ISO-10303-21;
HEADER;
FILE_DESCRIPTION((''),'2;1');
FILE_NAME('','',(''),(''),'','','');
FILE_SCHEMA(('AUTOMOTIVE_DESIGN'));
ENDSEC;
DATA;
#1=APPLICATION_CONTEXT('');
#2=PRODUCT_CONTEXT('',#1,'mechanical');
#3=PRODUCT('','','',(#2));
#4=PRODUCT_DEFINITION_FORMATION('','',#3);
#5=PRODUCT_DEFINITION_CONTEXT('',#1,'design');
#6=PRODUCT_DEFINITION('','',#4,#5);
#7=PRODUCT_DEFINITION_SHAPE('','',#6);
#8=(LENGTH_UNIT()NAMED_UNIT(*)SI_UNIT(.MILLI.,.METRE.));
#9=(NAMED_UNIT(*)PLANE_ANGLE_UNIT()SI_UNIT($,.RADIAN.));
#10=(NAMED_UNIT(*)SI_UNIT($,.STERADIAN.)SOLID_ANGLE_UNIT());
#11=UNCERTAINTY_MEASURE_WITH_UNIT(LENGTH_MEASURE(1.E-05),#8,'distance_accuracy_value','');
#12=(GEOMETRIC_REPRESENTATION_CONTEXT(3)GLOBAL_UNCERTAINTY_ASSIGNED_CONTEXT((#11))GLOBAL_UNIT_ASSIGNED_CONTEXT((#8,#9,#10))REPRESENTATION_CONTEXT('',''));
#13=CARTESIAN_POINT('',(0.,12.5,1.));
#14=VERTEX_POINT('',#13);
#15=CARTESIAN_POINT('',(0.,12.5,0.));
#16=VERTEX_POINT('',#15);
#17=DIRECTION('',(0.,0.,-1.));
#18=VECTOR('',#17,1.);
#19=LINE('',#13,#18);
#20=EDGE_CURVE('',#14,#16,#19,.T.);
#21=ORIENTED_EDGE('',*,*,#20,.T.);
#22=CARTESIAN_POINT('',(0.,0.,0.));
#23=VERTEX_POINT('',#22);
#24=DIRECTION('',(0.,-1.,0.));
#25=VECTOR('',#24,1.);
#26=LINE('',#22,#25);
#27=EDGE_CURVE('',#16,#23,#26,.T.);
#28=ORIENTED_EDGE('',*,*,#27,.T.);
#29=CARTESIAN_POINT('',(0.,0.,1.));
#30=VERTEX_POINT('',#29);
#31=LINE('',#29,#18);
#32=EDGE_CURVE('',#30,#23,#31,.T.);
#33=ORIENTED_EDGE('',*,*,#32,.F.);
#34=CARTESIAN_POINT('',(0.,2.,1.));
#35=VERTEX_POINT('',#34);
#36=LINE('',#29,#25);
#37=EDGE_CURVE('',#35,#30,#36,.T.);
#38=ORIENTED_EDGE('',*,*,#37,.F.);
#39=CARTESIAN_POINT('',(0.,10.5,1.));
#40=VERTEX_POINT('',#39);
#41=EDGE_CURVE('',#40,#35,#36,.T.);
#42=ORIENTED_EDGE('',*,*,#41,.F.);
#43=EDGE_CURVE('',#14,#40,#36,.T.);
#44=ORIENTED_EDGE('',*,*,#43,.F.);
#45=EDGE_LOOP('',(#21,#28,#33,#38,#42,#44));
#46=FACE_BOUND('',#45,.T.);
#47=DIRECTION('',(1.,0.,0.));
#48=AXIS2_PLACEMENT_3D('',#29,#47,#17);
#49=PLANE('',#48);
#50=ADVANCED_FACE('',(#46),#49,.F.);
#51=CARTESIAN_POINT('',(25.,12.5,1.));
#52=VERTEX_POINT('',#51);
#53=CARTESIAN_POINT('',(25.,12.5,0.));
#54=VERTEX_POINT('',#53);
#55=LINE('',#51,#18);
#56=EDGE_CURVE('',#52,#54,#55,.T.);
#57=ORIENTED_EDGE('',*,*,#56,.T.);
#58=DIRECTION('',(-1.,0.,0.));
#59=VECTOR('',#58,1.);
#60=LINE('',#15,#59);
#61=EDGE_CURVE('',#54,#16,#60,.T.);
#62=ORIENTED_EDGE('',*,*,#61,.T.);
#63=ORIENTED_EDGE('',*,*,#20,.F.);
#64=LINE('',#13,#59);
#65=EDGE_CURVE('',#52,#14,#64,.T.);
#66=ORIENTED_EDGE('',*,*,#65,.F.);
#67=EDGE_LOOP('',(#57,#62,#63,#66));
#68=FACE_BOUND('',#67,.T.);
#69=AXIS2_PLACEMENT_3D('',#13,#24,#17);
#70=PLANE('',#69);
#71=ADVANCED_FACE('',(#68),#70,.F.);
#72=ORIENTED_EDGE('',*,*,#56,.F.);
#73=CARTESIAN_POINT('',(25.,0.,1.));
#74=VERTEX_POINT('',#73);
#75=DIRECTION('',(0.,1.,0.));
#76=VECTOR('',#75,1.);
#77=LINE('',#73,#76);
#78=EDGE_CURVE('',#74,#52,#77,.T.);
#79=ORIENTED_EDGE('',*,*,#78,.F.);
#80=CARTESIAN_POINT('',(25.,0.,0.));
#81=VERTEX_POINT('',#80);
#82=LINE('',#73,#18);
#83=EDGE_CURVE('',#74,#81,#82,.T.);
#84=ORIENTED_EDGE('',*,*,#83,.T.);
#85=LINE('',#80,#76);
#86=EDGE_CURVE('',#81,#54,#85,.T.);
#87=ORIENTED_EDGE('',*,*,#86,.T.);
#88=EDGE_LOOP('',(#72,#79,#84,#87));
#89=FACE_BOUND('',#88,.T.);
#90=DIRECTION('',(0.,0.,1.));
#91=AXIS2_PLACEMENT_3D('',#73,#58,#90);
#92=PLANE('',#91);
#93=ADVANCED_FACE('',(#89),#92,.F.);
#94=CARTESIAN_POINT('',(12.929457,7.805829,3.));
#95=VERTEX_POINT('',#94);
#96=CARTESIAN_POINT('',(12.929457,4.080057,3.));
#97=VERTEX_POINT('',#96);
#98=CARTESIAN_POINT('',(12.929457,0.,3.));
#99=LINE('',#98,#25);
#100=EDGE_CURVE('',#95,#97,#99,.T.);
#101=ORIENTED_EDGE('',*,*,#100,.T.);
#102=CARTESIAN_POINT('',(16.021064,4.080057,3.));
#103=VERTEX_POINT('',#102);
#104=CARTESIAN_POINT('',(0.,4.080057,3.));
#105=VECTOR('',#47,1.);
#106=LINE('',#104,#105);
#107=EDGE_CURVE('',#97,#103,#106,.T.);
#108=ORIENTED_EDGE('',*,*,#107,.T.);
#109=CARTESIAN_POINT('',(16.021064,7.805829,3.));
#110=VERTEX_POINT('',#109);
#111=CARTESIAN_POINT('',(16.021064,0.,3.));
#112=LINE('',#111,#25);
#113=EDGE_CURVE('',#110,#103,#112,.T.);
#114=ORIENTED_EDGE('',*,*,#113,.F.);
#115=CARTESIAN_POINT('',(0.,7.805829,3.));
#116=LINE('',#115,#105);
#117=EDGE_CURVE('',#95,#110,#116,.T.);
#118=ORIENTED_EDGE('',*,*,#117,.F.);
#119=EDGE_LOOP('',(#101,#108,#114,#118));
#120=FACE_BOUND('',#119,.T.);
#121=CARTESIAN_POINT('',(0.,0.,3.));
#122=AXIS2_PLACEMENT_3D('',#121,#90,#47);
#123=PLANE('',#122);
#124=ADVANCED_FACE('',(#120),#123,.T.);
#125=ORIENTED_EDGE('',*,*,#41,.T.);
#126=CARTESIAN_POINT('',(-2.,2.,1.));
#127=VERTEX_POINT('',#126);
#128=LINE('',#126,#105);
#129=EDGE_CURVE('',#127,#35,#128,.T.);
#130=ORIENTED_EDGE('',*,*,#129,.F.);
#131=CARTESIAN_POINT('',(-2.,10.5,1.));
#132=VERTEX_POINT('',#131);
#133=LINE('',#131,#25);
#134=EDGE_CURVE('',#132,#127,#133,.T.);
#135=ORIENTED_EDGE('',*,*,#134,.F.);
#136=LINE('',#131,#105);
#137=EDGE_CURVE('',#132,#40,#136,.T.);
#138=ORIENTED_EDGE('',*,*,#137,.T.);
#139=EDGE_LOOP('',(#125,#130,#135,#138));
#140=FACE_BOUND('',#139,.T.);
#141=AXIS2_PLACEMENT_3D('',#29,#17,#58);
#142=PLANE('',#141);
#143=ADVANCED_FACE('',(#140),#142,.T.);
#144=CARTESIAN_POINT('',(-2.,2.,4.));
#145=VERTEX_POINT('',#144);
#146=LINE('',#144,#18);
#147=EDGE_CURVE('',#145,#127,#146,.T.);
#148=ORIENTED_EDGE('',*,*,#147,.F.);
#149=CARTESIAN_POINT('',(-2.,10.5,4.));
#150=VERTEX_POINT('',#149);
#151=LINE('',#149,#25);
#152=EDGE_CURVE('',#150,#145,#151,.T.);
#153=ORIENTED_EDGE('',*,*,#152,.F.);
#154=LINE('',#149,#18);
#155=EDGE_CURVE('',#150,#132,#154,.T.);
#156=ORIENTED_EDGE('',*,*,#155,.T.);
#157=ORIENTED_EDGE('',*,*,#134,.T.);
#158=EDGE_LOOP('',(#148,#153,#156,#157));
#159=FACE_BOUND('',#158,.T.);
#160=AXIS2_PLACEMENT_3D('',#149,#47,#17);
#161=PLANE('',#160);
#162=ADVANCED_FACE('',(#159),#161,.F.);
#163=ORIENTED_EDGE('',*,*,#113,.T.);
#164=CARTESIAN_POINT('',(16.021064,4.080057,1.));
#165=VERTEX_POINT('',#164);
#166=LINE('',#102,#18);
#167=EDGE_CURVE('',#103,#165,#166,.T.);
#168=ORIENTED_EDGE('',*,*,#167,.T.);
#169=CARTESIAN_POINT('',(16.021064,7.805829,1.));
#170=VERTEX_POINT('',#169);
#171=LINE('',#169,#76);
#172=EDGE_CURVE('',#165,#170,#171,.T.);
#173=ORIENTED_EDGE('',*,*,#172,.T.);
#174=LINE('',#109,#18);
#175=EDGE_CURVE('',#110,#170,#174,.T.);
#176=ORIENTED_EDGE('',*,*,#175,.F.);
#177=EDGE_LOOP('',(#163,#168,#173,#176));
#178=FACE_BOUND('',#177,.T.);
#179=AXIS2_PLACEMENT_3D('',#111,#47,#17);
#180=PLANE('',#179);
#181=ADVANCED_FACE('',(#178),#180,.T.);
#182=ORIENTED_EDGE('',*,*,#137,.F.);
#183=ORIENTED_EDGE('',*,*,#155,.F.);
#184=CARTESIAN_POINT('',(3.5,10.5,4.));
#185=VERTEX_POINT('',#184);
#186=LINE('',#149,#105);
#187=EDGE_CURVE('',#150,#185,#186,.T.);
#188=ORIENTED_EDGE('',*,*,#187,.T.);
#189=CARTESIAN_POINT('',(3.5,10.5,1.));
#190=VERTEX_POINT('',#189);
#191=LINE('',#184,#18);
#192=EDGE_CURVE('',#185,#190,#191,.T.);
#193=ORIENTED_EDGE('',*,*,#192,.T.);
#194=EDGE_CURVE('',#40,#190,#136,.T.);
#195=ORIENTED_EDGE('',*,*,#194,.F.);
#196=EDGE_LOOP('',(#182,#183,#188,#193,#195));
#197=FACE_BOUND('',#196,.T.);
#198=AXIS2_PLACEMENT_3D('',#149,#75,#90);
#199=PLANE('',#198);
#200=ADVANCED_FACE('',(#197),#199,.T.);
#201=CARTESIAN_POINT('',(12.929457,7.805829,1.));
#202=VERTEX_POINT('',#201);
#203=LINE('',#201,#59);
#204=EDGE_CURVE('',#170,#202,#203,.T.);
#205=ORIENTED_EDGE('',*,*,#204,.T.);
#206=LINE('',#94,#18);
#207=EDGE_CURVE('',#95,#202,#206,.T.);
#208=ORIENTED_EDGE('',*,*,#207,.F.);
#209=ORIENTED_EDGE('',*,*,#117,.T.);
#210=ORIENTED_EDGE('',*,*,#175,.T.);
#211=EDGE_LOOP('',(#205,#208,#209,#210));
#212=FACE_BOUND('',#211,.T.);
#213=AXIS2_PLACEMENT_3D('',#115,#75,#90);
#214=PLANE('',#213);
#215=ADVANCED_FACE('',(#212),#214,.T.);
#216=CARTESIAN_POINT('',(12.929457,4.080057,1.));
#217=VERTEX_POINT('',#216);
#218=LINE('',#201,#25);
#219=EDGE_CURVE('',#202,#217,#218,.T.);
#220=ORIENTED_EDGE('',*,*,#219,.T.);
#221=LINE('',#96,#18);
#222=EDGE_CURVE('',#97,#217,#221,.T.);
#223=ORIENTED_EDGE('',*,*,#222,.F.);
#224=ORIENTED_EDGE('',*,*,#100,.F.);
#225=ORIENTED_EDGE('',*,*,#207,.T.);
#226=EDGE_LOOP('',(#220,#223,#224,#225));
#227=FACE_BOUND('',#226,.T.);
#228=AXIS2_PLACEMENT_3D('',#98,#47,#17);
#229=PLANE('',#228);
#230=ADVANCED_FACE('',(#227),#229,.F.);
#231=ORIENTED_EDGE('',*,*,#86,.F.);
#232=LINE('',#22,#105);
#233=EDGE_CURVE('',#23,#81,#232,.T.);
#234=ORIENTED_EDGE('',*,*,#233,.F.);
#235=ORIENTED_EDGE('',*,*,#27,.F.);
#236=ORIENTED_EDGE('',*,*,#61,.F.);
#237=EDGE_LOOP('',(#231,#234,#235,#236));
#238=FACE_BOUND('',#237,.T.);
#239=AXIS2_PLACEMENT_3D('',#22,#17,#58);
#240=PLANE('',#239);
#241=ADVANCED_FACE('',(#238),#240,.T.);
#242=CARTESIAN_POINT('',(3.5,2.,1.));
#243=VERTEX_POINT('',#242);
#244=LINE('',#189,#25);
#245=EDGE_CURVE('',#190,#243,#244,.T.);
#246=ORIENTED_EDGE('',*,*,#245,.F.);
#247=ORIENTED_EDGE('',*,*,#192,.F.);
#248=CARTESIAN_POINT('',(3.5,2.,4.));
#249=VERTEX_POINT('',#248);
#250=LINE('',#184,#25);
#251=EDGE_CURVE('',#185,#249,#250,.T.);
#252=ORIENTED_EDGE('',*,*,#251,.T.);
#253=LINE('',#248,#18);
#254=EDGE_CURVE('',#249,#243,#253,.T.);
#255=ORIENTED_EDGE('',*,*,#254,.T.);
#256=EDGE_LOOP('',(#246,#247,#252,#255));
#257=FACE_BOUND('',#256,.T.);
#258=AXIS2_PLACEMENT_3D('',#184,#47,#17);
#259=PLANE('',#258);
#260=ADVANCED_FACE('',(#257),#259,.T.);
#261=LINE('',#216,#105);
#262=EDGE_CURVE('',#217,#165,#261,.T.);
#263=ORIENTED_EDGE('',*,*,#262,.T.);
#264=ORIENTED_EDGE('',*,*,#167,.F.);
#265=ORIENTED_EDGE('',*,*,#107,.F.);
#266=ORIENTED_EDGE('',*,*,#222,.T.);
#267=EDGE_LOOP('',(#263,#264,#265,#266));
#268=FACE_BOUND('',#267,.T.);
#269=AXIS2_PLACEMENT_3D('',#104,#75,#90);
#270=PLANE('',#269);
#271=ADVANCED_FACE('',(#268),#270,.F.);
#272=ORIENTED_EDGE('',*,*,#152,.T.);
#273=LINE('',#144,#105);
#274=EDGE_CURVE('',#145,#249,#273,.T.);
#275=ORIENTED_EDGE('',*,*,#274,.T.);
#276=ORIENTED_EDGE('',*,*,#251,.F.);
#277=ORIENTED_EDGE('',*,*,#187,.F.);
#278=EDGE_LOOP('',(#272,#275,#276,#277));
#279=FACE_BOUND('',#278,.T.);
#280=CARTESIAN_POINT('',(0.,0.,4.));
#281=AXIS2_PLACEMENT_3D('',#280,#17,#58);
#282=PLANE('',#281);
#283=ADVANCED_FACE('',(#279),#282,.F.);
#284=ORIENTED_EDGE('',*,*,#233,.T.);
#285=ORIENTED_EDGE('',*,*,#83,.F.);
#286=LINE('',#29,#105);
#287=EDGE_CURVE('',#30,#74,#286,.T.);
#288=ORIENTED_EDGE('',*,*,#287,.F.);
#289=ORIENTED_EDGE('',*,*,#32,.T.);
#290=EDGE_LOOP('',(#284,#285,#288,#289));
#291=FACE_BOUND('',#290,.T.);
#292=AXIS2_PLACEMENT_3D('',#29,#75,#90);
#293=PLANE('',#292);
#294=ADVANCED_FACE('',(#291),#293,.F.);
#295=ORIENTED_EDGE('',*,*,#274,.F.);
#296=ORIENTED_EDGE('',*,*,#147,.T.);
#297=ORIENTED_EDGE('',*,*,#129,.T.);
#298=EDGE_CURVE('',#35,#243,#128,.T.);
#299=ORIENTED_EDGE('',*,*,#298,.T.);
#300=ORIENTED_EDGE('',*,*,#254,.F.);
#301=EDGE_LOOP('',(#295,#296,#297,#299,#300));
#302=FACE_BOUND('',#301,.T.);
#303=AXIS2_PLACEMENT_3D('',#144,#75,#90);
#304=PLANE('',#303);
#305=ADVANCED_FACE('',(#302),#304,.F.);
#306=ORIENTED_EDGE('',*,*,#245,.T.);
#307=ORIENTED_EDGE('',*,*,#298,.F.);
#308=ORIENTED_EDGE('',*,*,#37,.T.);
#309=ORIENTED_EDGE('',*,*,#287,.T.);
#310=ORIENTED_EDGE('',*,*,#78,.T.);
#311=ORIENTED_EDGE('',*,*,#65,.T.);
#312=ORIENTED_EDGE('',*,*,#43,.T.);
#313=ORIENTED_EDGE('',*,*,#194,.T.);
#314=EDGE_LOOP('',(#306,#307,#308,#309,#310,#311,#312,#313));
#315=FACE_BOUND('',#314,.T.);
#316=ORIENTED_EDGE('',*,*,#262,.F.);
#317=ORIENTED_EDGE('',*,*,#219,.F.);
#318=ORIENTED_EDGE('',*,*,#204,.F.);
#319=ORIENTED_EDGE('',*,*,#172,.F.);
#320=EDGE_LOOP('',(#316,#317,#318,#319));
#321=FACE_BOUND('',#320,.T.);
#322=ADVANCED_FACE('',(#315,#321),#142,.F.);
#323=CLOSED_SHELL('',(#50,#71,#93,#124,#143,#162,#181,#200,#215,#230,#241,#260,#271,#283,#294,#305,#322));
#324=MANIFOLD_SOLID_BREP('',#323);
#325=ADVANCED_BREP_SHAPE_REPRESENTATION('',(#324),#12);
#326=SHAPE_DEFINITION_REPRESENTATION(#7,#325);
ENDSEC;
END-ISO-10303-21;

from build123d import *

# Parameters (mm, degrees)
SKIZZE1_W                       = 25
SKIZZE1_H                       = 12.5
SKIZZE1_W_2                     = 3.091607018
SKIZZE1_H_2                     = 3.725771618
AUFSATZ_LINEAR_AUSTRAGEN1_DEPTH = 1
SKIZZE1_2_W                     = 3.091607018
SKIZZE1_2_H                     = 3.725771618
AUFSATZ_LINEAR_AUSTRAGEN2_DEPTH = 3
SKIZZE2_W                       = 5.5
SKIZZE2_H                       = 8.5
AUFSATZ_LINEAR_AUSTRAGEN3_DEPTH = 3


with BuildPart() as part:
    # Skizze1 → Aufsatz-Linear austragen1 (new body)
    with BuildSketch(Plane.XY):
        with Locations((12.5, 6.25)):
            Rectangle(SKIZZE1_W, SKIZZE1_H)
        with Locations((14.475260973, 5.942942992)):
            Rectangle(SKIZZE1_W_2, SKIZZE1_H_2, mode=Mode.SUBTRACT)
    extrude(amount=AUFSATZ_LINEAR_AUSTRAGEN1_DEPTH)

    # Skizze1<2> → Aufsatz-Linear austragen2 (add)
    with BuildSketch(Plane.XY):
        with Locations((14.475260973, 5.942942992)):
            Rectangle(SKIZZE1_2_W, SKIZZE1_2_H)
    extrude(amount=AUFSATZ_LINEAR_AUSTRAGEN2_DEPTH)

    # Skizze2 → Aufsatz-Linear austragen3 (add)
    with BuildSketch(Plane.XY.offset(1)):
        with Locations((0.75, 6.25)):
            Rectangle(SKIZZE2_W, SKIZZE2_H)
    extrude(amount=AUFSATZ_LINEAR_AUSTRAGEN3_DEPTH)


solid = part.part
